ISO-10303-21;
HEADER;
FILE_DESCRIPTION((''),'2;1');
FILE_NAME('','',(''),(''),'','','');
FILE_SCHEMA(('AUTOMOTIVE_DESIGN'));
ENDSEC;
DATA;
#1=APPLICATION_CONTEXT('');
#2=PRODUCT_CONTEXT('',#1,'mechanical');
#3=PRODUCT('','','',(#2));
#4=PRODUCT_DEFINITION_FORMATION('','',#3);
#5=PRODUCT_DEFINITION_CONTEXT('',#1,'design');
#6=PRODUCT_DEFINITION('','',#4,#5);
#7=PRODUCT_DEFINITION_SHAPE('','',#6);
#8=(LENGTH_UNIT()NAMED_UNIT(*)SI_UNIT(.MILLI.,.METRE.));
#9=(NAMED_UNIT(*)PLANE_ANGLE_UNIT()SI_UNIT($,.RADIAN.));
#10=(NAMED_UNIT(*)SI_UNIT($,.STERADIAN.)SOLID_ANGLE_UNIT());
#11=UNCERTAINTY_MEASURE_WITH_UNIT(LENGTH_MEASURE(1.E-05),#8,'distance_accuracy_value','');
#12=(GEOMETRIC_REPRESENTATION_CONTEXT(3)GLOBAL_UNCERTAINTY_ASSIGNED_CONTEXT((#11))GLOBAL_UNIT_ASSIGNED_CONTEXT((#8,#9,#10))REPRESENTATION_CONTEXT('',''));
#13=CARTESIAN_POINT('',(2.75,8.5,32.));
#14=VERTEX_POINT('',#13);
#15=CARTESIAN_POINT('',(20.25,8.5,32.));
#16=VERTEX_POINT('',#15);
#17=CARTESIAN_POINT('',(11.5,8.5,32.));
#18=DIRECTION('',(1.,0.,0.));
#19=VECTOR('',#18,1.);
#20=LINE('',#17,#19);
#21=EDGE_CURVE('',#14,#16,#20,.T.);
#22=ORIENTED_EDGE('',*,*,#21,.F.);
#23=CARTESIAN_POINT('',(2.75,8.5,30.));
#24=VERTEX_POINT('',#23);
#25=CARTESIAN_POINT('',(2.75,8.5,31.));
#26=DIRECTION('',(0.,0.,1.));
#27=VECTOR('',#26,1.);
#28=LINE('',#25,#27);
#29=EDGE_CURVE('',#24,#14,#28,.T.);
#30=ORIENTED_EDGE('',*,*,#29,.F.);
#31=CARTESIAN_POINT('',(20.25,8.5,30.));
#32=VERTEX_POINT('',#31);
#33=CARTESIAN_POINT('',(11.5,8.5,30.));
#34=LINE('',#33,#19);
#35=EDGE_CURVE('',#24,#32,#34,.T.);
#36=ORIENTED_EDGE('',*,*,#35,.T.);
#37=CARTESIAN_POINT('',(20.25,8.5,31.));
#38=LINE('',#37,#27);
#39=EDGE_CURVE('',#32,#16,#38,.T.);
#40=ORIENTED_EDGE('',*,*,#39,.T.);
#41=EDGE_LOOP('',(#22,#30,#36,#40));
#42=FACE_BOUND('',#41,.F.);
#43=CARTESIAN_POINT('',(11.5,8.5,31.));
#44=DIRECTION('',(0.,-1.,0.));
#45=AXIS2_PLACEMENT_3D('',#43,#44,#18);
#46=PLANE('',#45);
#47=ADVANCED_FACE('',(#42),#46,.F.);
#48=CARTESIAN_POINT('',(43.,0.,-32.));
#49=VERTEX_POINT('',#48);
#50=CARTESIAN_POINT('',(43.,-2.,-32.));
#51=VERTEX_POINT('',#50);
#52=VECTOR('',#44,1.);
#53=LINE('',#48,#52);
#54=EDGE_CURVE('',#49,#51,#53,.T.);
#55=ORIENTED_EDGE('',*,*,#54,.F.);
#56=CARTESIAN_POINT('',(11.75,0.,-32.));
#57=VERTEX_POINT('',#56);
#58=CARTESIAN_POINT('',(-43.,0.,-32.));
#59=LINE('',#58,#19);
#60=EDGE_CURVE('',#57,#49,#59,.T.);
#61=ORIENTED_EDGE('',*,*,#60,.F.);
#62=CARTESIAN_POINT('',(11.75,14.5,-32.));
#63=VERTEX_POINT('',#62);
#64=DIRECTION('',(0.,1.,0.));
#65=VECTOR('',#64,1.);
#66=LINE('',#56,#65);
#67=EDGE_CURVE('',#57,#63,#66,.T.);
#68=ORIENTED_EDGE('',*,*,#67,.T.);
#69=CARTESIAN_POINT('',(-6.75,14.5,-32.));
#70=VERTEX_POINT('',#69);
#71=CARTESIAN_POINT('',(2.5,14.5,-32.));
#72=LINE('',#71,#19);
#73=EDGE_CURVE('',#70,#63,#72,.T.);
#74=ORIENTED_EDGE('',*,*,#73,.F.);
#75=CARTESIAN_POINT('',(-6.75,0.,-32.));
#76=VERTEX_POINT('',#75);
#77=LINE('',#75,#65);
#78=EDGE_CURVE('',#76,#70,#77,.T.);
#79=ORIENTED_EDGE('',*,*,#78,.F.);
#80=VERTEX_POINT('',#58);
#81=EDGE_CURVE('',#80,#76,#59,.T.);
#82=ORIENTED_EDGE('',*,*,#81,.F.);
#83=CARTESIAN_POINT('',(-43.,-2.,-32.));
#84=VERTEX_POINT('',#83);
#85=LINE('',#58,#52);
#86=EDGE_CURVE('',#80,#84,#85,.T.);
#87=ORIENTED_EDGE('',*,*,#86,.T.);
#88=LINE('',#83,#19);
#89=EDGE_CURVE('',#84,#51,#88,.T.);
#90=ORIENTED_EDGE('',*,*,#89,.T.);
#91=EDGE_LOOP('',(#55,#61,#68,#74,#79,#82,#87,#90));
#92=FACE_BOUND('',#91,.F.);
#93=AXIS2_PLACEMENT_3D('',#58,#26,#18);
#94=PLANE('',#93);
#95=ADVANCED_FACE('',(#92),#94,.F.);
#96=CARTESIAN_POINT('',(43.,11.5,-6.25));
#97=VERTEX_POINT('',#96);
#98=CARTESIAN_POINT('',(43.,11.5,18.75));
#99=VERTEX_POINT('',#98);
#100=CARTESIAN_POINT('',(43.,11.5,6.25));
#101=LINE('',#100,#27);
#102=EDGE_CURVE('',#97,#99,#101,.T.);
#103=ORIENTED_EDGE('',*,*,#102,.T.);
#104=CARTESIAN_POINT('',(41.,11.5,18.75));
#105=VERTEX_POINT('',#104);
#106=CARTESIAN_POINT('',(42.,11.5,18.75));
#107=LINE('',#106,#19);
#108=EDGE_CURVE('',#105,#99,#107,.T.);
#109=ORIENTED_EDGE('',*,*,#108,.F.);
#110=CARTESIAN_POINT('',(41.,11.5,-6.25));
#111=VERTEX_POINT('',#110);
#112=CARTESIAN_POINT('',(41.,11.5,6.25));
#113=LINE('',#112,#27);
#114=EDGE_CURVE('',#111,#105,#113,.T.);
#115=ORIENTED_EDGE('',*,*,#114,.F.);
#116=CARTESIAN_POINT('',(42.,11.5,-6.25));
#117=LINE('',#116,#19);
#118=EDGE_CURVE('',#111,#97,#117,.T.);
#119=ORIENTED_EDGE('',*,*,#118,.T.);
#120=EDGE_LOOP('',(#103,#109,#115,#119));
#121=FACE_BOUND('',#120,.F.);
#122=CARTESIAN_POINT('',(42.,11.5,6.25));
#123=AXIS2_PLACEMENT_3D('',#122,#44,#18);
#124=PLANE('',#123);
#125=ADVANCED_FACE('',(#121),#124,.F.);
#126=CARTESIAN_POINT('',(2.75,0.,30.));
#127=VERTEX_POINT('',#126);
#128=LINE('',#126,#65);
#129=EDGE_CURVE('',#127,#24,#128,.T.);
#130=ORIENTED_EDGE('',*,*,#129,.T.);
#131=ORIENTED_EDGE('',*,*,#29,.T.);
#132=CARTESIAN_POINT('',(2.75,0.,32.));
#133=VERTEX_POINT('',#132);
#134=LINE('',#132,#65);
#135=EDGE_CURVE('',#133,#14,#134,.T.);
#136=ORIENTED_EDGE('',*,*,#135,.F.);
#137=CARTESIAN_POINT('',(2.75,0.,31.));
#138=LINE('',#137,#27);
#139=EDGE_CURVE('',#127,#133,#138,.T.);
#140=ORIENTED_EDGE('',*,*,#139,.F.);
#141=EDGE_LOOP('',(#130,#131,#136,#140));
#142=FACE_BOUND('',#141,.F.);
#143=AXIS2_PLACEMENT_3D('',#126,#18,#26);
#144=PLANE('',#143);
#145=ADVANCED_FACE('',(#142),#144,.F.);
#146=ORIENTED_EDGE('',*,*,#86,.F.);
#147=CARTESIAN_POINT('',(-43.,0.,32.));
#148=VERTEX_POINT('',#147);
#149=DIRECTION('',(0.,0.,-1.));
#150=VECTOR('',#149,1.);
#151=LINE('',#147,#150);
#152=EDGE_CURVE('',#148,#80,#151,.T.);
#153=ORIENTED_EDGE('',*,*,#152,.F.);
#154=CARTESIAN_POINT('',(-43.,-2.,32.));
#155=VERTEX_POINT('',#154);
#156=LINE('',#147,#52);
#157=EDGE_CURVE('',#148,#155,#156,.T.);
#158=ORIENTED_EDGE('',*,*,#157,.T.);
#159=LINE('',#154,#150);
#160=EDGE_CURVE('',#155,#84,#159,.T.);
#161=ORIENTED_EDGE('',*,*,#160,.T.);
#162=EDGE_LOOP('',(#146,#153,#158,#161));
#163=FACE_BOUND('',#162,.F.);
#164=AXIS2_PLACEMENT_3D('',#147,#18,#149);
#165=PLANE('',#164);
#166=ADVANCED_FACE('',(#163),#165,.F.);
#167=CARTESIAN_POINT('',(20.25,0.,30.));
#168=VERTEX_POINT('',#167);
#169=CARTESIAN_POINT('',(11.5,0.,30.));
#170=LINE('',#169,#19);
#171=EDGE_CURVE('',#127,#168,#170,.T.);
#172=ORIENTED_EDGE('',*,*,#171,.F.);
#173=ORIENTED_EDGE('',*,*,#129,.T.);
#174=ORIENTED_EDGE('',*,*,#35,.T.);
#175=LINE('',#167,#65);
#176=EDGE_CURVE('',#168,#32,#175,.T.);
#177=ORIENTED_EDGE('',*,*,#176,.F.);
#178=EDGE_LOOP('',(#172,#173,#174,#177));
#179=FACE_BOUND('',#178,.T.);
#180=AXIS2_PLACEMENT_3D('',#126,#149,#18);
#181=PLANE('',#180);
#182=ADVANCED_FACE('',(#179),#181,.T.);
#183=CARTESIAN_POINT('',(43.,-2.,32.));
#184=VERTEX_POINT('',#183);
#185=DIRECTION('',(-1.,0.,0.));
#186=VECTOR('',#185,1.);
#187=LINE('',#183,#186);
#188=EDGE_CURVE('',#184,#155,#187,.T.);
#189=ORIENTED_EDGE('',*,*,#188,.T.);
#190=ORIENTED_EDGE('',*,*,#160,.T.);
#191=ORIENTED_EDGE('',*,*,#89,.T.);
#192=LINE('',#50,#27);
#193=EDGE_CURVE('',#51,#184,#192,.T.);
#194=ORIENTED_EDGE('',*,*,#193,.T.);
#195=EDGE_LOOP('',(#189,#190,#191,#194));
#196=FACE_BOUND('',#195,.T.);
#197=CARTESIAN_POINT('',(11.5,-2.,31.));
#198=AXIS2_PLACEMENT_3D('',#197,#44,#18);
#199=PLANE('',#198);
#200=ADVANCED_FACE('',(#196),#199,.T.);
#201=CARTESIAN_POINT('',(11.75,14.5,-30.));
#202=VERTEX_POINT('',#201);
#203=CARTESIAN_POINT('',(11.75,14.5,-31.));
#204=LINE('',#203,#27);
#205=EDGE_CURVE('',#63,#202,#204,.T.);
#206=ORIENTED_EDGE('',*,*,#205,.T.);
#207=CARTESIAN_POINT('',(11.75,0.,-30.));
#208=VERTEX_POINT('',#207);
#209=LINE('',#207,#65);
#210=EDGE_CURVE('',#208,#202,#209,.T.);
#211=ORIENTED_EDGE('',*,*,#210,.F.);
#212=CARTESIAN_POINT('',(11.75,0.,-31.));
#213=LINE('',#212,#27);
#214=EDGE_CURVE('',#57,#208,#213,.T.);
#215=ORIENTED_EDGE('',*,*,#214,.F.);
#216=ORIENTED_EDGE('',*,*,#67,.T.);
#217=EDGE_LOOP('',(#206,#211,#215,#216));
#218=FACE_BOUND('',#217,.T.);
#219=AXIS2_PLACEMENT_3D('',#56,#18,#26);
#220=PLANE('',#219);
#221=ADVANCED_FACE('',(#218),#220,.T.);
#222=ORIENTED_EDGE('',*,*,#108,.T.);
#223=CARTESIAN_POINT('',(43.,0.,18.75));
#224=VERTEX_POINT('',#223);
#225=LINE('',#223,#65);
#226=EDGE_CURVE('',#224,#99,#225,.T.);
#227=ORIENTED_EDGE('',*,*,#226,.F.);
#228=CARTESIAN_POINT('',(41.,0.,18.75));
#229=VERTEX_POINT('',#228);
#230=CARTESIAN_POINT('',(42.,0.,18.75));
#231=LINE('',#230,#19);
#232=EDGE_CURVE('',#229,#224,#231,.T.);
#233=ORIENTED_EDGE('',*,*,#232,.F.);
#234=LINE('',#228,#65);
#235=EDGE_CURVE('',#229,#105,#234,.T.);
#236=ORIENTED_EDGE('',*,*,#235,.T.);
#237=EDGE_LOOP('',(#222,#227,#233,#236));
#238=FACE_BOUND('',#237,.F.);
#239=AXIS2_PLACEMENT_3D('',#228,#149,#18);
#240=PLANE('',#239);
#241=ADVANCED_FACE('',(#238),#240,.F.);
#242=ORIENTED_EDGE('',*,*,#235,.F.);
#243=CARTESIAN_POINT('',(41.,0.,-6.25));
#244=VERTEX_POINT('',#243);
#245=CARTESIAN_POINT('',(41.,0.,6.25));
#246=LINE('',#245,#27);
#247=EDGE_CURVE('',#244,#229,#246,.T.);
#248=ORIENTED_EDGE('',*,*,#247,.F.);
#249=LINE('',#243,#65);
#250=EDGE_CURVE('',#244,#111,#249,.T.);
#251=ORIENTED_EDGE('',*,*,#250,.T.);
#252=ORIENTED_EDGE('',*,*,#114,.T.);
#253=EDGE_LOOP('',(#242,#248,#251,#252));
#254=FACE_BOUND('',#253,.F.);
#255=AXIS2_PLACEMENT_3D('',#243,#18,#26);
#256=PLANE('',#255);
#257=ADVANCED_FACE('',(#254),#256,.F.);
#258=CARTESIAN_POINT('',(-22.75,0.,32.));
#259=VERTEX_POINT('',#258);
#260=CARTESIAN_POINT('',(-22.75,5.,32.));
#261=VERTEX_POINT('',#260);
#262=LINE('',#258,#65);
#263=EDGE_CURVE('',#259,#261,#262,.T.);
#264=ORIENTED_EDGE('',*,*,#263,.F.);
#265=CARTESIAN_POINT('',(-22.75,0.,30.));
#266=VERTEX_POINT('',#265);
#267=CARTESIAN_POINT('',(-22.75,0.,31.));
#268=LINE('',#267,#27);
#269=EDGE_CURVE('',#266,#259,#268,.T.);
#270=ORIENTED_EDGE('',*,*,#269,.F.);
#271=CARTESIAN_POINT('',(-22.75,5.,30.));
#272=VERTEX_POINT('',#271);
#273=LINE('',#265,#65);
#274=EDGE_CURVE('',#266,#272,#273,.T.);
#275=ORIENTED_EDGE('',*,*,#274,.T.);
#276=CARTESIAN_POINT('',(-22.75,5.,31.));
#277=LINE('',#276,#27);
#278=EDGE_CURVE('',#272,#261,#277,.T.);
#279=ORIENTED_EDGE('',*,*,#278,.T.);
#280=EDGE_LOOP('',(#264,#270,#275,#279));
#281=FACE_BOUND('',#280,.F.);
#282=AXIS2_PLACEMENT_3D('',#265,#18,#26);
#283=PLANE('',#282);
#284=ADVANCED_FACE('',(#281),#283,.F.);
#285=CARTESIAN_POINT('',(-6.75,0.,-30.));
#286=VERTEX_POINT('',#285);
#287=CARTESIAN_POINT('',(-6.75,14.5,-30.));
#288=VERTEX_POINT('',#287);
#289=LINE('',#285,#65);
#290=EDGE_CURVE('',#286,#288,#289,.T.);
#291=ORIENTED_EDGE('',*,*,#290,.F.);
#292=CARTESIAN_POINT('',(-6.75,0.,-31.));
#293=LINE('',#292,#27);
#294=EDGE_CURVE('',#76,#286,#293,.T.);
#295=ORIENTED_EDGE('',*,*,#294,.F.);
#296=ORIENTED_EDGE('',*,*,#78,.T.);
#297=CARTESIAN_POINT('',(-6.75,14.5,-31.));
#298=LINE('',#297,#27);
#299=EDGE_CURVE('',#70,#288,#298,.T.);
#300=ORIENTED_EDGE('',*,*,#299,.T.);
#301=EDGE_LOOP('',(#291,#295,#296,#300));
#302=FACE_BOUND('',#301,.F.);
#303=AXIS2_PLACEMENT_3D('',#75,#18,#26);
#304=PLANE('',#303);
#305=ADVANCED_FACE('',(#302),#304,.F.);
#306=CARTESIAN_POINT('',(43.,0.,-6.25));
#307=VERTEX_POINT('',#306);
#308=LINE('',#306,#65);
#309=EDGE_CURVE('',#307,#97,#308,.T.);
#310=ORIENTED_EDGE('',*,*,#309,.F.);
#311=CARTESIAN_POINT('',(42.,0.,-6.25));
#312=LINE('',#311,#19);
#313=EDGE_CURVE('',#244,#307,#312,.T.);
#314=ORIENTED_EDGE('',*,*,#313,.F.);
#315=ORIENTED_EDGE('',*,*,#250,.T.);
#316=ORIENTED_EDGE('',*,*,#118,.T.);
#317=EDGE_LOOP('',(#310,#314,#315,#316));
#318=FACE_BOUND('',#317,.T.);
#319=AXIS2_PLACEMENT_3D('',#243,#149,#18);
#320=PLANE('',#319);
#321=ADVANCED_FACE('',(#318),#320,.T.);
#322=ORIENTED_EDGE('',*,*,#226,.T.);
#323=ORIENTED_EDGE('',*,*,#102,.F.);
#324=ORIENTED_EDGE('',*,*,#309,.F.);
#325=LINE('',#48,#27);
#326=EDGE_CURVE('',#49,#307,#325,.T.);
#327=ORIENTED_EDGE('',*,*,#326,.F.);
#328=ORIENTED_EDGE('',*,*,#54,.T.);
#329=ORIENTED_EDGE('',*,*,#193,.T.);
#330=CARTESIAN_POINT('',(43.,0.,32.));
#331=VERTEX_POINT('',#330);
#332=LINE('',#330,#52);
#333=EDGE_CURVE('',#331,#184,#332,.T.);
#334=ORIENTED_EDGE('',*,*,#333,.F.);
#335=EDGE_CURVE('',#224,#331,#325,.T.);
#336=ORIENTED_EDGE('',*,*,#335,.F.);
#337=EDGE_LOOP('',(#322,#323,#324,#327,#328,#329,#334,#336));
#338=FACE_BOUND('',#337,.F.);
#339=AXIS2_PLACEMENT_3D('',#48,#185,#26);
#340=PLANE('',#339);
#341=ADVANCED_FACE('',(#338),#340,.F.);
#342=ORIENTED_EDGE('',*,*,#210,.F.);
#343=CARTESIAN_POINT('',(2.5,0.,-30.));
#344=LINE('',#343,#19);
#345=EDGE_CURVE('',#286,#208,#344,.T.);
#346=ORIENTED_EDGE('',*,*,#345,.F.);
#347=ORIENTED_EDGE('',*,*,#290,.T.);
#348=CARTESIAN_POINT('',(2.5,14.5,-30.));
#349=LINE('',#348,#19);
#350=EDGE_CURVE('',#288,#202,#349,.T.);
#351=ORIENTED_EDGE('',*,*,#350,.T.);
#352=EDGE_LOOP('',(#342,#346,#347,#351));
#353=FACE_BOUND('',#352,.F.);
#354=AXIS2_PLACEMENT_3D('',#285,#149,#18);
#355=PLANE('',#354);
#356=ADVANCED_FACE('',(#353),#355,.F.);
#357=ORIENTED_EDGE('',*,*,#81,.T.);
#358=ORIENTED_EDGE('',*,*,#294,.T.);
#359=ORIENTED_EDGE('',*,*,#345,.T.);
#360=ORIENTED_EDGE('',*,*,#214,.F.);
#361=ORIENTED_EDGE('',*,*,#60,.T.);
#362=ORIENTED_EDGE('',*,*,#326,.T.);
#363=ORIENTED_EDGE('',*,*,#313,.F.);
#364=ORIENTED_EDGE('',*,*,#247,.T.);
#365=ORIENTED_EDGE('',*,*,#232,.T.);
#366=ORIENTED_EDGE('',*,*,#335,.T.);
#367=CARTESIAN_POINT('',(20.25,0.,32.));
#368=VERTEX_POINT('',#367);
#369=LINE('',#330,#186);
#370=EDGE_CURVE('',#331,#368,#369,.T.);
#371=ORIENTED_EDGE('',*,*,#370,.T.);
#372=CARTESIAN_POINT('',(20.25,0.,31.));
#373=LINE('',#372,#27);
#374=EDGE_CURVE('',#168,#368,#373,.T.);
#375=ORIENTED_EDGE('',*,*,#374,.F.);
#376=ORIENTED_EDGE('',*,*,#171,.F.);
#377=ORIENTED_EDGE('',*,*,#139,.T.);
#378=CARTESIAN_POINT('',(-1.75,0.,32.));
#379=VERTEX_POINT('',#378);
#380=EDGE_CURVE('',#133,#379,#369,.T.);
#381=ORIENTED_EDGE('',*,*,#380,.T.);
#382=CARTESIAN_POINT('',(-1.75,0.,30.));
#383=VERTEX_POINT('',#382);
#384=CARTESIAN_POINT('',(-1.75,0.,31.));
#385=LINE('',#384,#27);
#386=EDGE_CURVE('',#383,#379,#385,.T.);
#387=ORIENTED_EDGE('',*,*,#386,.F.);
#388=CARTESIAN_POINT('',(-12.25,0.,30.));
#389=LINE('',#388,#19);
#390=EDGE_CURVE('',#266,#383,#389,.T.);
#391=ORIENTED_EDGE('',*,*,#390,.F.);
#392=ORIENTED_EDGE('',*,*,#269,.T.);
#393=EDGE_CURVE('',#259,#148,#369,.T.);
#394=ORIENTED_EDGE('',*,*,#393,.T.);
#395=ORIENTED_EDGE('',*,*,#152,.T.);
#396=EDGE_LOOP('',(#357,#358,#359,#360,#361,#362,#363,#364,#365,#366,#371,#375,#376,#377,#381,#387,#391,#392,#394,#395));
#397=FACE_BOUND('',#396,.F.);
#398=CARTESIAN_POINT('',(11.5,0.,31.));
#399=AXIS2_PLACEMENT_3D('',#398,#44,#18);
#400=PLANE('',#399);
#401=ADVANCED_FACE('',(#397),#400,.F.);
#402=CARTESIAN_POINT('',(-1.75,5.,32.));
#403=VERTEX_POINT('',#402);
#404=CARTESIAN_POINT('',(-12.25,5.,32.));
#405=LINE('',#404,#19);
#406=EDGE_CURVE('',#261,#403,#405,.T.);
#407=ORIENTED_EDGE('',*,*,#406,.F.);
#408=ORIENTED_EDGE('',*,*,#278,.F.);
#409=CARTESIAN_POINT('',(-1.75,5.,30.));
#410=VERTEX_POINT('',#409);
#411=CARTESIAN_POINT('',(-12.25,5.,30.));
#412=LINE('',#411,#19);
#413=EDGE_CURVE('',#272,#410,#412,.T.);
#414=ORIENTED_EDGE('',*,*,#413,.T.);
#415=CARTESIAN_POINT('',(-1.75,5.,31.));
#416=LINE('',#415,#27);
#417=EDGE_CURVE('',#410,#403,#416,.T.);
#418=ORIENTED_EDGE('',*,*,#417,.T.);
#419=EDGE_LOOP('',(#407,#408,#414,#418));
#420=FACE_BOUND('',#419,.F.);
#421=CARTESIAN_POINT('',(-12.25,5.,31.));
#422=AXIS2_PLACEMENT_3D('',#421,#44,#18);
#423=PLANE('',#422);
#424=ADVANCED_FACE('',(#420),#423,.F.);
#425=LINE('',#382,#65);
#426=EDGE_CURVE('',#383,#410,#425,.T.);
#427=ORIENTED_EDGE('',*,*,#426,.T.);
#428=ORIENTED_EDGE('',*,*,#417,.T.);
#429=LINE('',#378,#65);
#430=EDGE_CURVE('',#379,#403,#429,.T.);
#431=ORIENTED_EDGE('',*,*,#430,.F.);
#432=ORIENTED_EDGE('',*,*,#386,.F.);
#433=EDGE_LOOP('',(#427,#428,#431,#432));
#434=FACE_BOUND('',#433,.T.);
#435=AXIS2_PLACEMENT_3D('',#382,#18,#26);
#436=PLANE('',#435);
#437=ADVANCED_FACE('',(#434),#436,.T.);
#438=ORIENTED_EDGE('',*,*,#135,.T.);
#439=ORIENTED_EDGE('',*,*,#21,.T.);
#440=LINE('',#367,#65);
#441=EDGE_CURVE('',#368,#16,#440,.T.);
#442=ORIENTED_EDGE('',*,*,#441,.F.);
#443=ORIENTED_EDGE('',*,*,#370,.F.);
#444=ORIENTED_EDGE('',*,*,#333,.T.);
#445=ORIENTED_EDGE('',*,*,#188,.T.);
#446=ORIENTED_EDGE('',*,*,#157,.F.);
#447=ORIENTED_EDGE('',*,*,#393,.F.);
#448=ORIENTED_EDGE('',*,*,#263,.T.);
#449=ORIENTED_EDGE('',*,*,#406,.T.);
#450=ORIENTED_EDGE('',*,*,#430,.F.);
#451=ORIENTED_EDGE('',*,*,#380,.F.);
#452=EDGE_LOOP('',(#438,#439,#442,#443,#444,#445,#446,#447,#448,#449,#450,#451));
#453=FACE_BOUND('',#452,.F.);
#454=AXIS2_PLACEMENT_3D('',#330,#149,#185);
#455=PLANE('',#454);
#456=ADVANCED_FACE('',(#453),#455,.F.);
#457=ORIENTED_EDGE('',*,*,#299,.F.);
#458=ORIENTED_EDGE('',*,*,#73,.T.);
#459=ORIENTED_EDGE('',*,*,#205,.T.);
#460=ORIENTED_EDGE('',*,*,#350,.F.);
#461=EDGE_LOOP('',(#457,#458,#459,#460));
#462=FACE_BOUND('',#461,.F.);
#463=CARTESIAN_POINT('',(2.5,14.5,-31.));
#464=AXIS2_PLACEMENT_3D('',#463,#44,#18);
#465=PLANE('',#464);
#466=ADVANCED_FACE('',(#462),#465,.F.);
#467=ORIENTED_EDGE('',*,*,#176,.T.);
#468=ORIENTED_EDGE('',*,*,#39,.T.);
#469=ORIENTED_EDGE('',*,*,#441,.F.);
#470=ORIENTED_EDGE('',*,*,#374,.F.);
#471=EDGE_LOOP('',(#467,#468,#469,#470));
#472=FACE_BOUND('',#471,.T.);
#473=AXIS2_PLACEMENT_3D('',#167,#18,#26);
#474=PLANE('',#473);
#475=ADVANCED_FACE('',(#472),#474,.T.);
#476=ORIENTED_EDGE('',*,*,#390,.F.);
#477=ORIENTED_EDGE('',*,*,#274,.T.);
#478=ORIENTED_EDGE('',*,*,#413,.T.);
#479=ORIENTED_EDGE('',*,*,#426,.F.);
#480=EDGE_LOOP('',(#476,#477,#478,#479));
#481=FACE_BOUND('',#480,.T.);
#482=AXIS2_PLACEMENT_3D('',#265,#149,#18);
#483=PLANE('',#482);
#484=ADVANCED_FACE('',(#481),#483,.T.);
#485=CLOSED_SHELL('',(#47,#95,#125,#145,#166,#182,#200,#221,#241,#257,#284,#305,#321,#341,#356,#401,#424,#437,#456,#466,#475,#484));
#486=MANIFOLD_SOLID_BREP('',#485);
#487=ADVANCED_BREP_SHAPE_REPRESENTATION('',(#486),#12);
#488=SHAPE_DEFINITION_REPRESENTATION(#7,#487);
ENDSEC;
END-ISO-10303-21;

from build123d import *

# Parameters (mm, degrees)
F0_W     = 17.5
F0_H     = 2
F0_W_2   = 18.5
F0_W_3   = 4.5
F0_W_4   = 2
F0_H_2   = 25
F0_W_5   = 21
F1_DEPTH = 2
F2_DEPTH = 14.5
F3_DEPTH = 11.5
F4_DEPTH = 8.5
F5_DEPTH = 5


with BuildPart() as f1:
    # F0 (on Front) → F1 (new body)
    with BuildSketch(Plane.XZ):
        with Locations((11.5, 31)):
            Rectangle(F0_W, F0_H)
        with Locations((2.5, -31)):
            Rectangle(F0_W_2, F0_H)
        Polygon((43, 18.75), (43, 32), (20.25, 32), (20.25, 30), (41, 30), (41, 18.75), align=None)
        with Locations((0.5, 31)):
            Rectangle(F0_W_3, F0_H)
        with Locations((42, 6.25)):
            Rectangle(F0_W_4, F0_H_2)
        Polygon((43, -32), (43, -6.25), (41, -6.25), (41, -30), (11.75, -30), (11.75, -32), align=None)
        with Locations((-12.25, 31)):
            Rectangle(F0_W_5, F0_H)
        Polygon((-22.75, 30), (-22.75, 32), (-43, 32), (-43, -32), (-6.75, -32), (-6.75, -30), (-41, -30), (-41, 30), align=None)
        Polygon((41, 30), (20.25, 30), (2.75, 30), (-1.75, 30), (-22.75, 30), (-41, 30), (-41, -30), (-6.75, -30), (11.75, -30), (41, -30), (41, -6.25), (41, 18.75), align=None)
    extrude(amount=F1_DEPTH)

    # F0 (on Front) → F2 (join)
    with BuildSketch(Plane.XZ):
        with Locations((2.5, -31)):
            Rectangle(F0_W_2, F0_H)
    extrude(amount=-F2_DEPTH)

    # F0 (on Front) → F3 (join)
    with BuildSketch(Plane.XZ):
        with Locations((42, 6.25)):
            Rectangle(F0_W_4, F0_H_2)
    extrude(amount=-F3_DEPTH)

    # F0 (on Front) → F4 (join)
    with BuildSketch(Plane.XZ):
        with Locations((11.5, 31)):
            Rectangle(F0_W, F0_H)
    extrude(amount=-F4_DEPTH)

    # F0 (on Front) → F5 (join)
    with BuildSketch(Plane.XZ):
        with Locations((-12.25, 31)):
            Rectangle(F0_W_5, F0_H)
    extrude(amount=-F5_DEPTH)


solid = f1.part
